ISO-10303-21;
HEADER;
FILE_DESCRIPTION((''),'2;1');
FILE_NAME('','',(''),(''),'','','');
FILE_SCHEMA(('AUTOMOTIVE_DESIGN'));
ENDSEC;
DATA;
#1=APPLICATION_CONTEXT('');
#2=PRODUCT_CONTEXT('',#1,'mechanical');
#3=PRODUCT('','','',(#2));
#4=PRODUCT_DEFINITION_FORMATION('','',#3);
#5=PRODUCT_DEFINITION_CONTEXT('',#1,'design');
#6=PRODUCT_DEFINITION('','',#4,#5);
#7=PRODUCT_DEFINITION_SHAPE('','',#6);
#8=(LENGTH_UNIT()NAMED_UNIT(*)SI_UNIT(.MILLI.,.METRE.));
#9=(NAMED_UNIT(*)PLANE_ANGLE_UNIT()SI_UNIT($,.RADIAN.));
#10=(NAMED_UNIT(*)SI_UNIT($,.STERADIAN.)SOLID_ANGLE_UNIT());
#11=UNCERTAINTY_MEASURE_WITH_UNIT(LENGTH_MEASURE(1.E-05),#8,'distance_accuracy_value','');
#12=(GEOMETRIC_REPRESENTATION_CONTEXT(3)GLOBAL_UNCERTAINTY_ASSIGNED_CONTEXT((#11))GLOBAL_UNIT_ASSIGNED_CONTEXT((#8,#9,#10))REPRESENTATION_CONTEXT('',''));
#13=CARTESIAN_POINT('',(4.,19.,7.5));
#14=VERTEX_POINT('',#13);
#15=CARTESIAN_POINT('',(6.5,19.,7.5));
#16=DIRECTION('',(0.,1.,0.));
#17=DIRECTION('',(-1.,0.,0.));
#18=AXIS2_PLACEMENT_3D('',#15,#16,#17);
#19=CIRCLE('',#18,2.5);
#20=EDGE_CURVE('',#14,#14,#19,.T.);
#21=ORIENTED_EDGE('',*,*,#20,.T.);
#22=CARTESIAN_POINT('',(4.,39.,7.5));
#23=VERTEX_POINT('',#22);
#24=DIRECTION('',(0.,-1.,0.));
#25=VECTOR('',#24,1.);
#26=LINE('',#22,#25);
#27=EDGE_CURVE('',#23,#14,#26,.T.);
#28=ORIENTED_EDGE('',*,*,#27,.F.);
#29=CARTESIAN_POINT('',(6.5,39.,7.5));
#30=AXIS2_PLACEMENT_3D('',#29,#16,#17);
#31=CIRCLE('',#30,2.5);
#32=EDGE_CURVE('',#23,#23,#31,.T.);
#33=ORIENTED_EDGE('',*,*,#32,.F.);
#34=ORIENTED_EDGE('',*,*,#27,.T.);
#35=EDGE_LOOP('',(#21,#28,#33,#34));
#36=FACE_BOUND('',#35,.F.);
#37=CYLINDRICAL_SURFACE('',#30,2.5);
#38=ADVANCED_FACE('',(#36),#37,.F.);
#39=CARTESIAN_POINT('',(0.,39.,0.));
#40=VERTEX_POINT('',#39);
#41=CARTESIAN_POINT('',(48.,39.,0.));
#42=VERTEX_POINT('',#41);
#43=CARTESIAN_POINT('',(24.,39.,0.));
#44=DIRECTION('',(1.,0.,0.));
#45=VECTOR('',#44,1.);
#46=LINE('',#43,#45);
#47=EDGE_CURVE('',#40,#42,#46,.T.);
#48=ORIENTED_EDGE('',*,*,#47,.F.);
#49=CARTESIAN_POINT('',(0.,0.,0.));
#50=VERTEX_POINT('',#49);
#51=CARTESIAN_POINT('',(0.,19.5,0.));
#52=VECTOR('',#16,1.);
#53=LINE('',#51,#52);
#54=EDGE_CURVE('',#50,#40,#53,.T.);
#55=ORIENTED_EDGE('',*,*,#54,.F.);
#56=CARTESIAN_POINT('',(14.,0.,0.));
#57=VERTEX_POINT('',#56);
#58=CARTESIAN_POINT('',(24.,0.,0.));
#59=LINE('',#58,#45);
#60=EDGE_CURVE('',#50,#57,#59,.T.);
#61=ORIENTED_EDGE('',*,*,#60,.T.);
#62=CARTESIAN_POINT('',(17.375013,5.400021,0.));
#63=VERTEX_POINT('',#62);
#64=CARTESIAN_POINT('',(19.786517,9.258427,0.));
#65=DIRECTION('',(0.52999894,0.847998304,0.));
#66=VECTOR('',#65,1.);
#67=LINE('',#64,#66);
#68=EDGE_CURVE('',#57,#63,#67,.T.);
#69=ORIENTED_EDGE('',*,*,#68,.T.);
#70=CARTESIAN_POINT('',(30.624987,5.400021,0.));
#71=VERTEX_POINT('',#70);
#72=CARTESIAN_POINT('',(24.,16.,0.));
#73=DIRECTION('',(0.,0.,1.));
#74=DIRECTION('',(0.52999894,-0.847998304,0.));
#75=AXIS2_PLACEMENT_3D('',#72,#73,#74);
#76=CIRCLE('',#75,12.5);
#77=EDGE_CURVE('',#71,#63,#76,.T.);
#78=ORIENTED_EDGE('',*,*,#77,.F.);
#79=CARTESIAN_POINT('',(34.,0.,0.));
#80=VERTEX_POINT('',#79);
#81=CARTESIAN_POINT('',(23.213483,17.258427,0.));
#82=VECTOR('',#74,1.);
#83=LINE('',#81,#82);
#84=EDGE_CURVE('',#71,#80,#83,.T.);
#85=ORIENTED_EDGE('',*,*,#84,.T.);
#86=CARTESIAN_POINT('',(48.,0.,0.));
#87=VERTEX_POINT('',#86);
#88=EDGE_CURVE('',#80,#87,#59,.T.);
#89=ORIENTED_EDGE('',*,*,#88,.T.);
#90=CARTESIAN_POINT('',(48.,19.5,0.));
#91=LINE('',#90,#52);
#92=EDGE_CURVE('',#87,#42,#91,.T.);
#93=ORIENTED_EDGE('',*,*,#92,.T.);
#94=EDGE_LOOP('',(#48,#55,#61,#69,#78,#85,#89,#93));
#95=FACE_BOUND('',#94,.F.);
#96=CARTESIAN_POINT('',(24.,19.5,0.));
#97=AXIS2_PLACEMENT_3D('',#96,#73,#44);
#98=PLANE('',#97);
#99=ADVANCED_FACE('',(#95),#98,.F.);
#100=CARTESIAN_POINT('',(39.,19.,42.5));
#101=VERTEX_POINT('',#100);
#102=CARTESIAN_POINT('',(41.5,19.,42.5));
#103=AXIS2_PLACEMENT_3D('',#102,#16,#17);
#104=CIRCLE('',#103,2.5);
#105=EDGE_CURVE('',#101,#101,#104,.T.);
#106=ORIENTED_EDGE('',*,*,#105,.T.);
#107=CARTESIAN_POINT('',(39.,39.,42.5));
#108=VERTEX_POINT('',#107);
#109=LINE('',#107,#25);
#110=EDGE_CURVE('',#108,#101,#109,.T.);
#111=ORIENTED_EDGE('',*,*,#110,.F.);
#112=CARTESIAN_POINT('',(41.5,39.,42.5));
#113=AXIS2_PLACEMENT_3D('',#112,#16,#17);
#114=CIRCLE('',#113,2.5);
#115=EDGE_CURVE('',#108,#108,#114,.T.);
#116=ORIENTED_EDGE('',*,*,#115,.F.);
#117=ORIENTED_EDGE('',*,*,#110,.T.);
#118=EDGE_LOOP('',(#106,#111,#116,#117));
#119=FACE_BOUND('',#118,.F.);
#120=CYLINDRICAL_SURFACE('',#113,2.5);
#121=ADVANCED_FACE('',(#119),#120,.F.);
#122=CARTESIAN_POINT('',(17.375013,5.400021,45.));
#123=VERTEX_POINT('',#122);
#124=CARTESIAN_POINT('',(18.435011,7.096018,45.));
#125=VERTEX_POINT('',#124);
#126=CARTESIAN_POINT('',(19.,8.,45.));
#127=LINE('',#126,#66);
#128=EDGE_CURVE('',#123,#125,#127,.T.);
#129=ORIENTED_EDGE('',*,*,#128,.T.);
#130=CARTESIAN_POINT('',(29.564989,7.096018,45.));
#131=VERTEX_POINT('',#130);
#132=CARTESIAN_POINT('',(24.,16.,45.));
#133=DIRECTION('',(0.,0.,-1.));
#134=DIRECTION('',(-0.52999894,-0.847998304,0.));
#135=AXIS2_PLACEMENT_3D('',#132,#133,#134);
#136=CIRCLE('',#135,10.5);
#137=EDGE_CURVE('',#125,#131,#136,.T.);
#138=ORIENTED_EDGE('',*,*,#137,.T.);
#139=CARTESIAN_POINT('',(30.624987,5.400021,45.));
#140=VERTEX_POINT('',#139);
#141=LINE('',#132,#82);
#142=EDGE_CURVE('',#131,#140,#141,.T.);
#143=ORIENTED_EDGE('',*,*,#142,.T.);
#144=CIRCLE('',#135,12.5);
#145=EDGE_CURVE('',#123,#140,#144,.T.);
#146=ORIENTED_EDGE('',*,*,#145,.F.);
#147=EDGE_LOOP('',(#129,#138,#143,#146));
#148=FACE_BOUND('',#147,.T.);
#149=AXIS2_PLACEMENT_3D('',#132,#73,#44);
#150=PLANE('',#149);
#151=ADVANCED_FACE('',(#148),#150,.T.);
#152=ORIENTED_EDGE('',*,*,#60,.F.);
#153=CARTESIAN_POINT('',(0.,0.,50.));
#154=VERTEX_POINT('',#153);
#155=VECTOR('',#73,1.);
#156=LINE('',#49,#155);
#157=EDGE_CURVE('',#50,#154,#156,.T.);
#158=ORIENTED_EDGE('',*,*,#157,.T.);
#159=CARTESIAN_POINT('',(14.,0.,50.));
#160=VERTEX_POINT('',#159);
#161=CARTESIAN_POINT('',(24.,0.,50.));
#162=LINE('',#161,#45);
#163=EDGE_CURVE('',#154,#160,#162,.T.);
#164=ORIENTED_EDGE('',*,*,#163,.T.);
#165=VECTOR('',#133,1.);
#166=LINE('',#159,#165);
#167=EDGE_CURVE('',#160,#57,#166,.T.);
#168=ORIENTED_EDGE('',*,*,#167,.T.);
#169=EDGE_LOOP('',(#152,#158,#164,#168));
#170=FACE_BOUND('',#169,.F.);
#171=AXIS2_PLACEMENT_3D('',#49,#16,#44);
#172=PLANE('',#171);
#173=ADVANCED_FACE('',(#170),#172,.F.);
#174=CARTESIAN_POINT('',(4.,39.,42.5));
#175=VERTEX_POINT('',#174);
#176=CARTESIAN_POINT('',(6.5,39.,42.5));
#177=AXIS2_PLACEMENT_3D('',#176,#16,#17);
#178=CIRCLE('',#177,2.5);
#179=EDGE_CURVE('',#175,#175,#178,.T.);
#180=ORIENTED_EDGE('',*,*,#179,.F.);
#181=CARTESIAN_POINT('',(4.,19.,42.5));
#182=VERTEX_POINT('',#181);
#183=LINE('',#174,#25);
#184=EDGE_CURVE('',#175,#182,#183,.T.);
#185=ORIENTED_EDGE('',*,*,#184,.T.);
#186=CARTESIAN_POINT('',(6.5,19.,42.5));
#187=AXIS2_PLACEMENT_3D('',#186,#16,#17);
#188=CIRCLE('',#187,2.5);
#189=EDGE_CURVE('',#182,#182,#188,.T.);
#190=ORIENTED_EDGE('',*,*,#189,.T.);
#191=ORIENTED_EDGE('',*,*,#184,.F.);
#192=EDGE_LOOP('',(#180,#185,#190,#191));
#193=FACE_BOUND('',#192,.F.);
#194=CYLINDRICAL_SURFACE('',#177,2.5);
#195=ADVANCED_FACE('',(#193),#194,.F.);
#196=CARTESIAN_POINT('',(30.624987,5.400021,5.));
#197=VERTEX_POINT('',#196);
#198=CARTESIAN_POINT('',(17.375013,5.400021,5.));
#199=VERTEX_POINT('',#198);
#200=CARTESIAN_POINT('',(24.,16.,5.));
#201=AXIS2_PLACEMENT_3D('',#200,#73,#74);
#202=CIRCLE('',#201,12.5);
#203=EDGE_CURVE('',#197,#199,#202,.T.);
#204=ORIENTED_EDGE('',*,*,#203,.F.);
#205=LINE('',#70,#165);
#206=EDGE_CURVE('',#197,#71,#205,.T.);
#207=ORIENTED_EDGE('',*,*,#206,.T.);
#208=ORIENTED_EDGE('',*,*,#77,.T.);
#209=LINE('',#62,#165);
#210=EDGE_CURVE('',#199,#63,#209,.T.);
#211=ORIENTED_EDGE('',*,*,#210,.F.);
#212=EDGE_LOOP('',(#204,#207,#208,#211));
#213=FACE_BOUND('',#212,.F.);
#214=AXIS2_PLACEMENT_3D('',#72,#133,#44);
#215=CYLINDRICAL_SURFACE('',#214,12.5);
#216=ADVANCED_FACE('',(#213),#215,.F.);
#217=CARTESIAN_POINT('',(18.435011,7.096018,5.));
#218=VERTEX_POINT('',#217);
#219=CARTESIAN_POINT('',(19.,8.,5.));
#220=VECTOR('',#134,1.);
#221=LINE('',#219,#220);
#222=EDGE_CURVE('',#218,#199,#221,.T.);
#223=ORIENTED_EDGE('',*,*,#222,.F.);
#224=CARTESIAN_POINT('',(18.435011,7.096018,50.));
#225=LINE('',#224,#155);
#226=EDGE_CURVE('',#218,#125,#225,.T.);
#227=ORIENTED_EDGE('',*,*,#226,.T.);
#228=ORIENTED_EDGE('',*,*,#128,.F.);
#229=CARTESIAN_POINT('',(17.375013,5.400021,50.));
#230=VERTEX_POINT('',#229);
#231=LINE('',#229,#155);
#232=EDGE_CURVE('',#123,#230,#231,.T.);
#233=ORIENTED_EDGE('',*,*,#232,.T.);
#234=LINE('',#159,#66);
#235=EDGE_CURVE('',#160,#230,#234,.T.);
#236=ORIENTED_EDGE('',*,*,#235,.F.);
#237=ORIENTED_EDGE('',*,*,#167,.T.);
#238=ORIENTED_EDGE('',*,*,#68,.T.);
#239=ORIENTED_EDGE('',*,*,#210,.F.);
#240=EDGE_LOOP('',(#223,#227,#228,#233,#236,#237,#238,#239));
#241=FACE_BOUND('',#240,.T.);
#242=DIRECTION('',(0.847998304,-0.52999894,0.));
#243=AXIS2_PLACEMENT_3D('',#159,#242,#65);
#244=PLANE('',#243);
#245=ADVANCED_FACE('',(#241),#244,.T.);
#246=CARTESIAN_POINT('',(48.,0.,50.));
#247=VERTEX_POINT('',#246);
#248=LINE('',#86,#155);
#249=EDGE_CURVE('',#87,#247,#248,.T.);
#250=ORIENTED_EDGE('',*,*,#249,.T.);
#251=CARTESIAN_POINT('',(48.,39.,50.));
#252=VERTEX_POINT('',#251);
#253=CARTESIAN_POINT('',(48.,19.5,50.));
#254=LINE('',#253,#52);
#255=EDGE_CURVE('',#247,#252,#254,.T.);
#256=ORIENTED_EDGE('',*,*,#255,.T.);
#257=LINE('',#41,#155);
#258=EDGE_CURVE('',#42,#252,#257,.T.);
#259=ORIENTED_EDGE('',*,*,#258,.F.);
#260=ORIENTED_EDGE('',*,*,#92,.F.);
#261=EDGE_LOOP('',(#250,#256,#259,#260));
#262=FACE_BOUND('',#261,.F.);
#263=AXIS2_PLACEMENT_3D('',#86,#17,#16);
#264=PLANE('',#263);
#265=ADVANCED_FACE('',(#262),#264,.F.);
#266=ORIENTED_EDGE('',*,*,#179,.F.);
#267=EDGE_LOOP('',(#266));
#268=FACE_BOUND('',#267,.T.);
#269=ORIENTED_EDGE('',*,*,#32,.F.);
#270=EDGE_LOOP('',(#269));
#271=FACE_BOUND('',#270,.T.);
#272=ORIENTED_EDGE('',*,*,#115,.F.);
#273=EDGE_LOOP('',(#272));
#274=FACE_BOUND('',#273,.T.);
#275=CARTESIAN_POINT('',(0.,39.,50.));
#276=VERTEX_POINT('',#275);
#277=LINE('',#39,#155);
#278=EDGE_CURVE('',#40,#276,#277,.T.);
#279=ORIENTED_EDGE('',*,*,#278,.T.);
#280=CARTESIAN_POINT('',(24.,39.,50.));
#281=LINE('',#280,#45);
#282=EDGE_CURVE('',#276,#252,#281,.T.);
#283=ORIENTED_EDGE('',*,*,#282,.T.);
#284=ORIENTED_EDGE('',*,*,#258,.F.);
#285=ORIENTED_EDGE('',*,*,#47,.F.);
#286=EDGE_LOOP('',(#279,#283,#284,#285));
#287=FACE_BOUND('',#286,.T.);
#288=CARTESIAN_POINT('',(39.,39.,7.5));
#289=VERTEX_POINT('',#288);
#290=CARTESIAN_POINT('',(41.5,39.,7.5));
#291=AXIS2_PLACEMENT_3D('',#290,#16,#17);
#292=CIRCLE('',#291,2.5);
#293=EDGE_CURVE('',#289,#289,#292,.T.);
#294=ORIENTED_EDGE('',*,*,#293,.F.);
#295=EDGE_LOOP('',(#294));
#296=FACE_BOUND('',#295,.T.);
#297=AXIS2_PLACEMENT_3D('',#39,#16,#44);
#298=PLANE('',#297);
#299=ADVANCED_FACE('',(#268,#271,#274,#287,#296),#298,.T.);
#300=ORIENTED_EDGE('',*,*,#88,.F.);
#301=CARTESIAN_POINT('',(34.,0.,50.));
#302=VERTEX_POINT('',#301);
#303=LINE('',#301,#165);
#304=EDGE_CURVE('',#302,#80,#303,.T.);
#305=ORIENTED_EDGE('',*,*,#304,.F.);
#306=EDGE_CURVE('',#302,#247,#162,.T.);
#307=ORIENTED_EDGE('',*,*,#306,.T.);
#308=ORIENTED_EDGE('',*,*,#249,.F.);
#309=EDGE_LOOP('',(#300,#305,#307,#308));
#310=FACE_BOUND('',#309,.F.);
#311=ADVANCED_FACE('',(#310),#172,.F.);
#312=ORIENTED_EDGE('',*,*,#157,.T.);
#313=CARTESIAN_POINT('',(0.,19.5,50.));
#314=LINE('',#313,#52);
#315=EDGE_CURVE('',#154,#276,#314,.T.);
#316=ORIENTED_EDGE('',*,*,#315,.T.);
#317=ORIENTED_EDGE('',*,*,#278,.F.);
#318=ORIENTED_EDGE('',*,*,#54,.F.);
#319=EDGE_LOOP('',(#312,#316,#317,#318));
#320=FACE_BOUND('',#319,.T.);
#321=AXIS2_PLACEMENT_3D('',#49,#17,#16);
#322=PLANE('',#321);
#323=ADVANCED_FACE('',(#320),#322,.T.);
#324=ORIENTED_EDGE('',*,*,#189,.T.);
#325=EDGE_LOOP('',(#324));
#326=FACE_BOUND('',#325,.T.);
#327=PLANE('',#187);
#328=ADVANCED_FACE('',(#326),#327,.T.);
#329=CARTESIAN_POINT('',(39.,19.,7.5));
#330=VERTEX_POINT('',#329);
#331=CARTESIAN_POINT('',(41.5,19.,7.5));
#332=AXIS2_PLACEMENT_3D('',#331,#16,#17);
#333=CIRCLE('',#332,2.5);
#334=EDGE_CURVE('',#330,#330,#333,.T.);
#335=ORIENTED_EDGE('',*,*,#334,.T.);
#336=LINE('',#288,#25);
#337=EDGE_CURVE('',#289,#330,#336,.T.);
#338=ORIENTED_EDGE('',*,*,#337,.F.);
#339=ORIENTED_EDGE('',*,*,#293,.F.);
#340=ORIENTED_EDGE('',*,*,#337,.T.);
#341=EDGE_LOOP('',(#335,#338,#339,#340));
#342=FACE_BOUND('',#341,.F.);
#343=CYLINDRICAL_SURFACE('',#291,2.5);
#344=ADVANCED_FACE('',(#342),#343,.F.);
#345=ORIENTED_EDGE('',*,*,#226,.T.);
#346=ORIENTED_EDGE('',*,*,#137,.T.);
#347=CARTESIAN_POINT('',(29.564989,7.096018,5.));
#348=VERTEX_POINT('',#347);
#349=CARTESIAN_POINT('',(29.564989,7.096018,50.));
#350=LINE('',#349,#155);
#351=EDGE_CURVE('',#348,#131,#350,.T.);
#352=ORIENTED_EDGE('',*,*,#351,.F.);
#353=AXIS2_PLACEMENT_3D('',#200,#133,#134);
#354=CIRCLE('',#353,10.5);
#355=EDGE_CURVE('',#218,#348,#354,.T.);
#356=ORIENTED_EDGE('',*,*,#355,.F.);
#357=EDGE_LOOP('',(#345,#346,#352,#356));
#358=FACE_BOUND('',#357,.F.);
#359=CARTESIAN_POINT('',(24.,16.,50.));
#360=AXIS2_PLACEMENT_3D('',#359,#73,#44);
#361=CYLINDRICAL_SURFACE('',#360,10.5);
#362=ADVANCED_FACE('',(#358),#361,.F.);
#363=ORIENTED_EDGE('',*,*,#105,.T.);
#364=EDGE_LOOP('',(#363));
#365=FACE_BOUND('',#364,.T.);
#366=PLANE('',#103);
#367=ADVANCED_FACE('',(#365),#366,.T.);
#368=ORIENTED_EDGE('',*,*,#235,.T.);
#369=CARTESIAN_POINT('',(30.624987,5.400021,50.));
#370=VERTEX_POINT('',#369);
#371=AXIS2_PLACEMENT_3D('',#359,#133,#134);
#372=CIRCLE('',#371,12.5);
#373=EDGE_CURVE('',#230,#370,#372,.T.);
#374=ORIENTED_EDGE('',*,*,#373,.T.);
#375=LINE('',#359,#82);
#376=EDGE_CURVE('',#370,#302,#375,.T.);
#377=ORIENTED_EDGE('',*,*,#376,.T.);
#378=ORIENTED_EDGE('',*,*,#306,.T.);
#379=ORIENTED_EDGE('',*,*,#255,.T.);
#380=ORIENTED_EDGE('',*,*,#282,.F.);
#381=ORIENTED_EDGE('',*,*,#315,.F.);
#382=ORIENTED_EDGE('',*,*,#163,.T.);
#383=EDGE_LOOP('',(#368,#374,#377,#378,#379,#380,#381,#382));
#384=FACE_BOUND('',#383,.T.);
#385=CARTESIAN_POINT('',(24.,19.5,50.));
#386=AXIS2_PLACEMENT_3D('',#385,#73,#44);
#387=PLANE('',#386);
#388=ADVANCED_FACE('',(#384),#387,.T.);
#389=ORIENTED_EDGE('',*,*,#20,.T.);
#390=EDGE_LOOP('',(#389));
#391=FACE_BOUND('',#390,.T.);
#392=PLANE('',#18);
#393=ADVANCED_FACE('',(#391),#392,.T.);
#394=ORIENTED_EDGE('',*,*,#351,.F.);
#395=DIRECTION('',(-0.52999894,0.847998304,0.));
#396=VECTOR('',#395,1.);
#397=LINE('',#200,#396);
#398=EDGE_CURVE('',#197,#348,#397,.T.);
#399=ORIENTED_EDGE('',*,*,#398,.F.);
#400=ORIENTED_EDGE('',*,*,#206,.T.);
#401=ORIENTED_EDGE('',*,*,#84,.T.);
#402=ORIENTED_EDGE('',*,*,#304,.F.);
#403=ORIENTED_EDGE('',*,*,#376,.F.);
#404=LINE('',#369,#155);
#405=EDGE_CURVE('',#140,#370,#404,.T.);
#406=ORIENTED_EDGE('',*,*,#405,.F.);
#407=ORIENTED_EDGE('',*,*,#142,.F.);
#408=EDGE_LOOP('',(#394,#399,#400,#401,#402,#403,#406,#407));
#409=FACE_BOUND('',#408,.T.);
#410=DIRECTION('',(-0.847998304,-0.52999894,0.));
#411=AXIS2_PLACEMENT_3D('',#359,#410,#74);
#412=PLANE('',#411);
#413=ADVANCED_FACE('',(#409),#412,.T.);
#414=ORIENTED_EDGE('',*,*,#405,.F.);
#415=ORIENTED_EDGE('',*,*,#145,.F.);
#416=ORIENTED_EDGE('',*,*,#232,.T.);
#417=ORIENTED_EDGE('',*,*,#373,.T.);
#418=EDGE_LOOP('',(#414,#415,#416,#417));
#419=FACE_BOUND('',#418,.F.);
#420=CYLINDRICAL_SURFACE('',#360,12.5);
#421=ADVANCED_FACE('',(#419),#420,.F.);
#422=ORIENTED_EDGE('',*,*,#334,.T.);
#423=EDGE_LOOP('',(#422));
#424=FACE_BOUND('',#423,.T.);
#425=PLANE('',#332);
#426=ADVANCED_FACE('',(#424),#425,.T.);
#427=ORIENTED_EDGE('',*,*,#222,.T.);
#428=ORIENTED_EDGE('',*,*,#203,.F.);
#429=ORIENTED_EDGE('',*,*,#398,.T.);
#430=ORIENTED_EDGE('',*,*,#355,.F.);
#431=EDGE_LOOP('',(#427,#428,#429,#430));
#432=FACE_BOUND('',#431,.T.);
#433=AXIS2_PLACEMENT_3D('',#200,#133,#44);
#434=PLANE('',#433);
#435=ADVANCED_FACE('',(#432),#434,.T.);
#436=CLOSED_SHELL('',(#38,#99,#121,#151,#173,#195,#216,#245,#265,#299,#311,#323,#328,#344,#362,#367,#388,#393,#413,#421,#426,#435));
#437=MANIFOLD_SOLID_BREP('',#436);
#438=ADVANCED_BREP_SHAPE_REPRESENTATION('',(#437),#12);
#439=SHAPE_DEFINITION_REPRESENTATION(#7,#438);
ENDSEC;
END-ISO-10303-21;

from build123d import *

# Parameters (mm, degrees)
SKETCH_W        = 48
SKETCH_H        = 39
PAD_DEPTH       = 50
SKETCH001_R     = 10.5
POCKET_DEPTH    = 51
SKETCH002_R     = 12.5
POCKET001_DEPTH = 5
SKETCH003_R     = 12.5
POCKET002_DEPTH = 5
POCKET003_DEPTH = 51
SKETCH005_R     = 2.5
POCKET004_DEPTH = 20


with BuildPart() as part:
    # Sketch → Pad (new body)
    with BuildSketch(Plane.XY):
        with Locations((24, 19.5)):
            Rectangle(SKETCH_W, SKETCH_H)
    extrude(amount=PAD_DEPTH)

    # Sketch001 → Pocket (cut)
    with BuildSketch(Plane.XY.offset(50)):
        with Locations((24, 16)):
            Circle(SKETCH001_R)
    extrude(amount=-POCKET_DEPTH, mode=Mode.SUBTRACT)

    # Sketch002 → Pocket001 (cut)
    with BuildSketch(Plane.XY.offset(50)):
        with Locations((24, 16)):
            Circle(SKETCH002_R)
    extrude(amount=-POCKET001_DEPTH, mode=Mode.SUBTRACT)

    # Sketch003 → Pocket002 (cut)
    with BuildSketch(Plane(origin=(0, 0, 0), x_dir=(1, 0, 0), z_dir=(0, 0, -1))):
        with Locations((24, -16)):
            Circle(SKETCH003_R)
    extrude(amount=-POCKET002_DEPTH, mode=Mode.SUBTRACT)

    # Sketch004 → Pocket003 (cut)
    with BuildSketch(Plane.XY.offset(50)):
        Polygon((14, 0), (24, 16), (34, 0), align=None)
    extrude(amount=-POCKET003_DEPTH, mode=Mode.SUBTRACT)

    # Sketch005 → Pocket004 (cut)
    with BuildSketch(Plane(origin=(0, 39, 0), x_dir=(-1, 0, 0), z_dir=(0, 1, 0))):
        with Locations((-41.5, 42.5)):
            Circle(SKETCH005_R)
        with Locations((-6.5, 42.5)):
            Circle(SKETCH005_R)
        with Locations((-41.5, 7.5)):
            Circle(SKETCH005_R)
        with Locations((-6.5, 7.5)):
            Circle(SKETCH005_R)
    extrude(amount=-POCKET004_DEPTH, mode=Mode.SUBTRACT)


solid = part.part
